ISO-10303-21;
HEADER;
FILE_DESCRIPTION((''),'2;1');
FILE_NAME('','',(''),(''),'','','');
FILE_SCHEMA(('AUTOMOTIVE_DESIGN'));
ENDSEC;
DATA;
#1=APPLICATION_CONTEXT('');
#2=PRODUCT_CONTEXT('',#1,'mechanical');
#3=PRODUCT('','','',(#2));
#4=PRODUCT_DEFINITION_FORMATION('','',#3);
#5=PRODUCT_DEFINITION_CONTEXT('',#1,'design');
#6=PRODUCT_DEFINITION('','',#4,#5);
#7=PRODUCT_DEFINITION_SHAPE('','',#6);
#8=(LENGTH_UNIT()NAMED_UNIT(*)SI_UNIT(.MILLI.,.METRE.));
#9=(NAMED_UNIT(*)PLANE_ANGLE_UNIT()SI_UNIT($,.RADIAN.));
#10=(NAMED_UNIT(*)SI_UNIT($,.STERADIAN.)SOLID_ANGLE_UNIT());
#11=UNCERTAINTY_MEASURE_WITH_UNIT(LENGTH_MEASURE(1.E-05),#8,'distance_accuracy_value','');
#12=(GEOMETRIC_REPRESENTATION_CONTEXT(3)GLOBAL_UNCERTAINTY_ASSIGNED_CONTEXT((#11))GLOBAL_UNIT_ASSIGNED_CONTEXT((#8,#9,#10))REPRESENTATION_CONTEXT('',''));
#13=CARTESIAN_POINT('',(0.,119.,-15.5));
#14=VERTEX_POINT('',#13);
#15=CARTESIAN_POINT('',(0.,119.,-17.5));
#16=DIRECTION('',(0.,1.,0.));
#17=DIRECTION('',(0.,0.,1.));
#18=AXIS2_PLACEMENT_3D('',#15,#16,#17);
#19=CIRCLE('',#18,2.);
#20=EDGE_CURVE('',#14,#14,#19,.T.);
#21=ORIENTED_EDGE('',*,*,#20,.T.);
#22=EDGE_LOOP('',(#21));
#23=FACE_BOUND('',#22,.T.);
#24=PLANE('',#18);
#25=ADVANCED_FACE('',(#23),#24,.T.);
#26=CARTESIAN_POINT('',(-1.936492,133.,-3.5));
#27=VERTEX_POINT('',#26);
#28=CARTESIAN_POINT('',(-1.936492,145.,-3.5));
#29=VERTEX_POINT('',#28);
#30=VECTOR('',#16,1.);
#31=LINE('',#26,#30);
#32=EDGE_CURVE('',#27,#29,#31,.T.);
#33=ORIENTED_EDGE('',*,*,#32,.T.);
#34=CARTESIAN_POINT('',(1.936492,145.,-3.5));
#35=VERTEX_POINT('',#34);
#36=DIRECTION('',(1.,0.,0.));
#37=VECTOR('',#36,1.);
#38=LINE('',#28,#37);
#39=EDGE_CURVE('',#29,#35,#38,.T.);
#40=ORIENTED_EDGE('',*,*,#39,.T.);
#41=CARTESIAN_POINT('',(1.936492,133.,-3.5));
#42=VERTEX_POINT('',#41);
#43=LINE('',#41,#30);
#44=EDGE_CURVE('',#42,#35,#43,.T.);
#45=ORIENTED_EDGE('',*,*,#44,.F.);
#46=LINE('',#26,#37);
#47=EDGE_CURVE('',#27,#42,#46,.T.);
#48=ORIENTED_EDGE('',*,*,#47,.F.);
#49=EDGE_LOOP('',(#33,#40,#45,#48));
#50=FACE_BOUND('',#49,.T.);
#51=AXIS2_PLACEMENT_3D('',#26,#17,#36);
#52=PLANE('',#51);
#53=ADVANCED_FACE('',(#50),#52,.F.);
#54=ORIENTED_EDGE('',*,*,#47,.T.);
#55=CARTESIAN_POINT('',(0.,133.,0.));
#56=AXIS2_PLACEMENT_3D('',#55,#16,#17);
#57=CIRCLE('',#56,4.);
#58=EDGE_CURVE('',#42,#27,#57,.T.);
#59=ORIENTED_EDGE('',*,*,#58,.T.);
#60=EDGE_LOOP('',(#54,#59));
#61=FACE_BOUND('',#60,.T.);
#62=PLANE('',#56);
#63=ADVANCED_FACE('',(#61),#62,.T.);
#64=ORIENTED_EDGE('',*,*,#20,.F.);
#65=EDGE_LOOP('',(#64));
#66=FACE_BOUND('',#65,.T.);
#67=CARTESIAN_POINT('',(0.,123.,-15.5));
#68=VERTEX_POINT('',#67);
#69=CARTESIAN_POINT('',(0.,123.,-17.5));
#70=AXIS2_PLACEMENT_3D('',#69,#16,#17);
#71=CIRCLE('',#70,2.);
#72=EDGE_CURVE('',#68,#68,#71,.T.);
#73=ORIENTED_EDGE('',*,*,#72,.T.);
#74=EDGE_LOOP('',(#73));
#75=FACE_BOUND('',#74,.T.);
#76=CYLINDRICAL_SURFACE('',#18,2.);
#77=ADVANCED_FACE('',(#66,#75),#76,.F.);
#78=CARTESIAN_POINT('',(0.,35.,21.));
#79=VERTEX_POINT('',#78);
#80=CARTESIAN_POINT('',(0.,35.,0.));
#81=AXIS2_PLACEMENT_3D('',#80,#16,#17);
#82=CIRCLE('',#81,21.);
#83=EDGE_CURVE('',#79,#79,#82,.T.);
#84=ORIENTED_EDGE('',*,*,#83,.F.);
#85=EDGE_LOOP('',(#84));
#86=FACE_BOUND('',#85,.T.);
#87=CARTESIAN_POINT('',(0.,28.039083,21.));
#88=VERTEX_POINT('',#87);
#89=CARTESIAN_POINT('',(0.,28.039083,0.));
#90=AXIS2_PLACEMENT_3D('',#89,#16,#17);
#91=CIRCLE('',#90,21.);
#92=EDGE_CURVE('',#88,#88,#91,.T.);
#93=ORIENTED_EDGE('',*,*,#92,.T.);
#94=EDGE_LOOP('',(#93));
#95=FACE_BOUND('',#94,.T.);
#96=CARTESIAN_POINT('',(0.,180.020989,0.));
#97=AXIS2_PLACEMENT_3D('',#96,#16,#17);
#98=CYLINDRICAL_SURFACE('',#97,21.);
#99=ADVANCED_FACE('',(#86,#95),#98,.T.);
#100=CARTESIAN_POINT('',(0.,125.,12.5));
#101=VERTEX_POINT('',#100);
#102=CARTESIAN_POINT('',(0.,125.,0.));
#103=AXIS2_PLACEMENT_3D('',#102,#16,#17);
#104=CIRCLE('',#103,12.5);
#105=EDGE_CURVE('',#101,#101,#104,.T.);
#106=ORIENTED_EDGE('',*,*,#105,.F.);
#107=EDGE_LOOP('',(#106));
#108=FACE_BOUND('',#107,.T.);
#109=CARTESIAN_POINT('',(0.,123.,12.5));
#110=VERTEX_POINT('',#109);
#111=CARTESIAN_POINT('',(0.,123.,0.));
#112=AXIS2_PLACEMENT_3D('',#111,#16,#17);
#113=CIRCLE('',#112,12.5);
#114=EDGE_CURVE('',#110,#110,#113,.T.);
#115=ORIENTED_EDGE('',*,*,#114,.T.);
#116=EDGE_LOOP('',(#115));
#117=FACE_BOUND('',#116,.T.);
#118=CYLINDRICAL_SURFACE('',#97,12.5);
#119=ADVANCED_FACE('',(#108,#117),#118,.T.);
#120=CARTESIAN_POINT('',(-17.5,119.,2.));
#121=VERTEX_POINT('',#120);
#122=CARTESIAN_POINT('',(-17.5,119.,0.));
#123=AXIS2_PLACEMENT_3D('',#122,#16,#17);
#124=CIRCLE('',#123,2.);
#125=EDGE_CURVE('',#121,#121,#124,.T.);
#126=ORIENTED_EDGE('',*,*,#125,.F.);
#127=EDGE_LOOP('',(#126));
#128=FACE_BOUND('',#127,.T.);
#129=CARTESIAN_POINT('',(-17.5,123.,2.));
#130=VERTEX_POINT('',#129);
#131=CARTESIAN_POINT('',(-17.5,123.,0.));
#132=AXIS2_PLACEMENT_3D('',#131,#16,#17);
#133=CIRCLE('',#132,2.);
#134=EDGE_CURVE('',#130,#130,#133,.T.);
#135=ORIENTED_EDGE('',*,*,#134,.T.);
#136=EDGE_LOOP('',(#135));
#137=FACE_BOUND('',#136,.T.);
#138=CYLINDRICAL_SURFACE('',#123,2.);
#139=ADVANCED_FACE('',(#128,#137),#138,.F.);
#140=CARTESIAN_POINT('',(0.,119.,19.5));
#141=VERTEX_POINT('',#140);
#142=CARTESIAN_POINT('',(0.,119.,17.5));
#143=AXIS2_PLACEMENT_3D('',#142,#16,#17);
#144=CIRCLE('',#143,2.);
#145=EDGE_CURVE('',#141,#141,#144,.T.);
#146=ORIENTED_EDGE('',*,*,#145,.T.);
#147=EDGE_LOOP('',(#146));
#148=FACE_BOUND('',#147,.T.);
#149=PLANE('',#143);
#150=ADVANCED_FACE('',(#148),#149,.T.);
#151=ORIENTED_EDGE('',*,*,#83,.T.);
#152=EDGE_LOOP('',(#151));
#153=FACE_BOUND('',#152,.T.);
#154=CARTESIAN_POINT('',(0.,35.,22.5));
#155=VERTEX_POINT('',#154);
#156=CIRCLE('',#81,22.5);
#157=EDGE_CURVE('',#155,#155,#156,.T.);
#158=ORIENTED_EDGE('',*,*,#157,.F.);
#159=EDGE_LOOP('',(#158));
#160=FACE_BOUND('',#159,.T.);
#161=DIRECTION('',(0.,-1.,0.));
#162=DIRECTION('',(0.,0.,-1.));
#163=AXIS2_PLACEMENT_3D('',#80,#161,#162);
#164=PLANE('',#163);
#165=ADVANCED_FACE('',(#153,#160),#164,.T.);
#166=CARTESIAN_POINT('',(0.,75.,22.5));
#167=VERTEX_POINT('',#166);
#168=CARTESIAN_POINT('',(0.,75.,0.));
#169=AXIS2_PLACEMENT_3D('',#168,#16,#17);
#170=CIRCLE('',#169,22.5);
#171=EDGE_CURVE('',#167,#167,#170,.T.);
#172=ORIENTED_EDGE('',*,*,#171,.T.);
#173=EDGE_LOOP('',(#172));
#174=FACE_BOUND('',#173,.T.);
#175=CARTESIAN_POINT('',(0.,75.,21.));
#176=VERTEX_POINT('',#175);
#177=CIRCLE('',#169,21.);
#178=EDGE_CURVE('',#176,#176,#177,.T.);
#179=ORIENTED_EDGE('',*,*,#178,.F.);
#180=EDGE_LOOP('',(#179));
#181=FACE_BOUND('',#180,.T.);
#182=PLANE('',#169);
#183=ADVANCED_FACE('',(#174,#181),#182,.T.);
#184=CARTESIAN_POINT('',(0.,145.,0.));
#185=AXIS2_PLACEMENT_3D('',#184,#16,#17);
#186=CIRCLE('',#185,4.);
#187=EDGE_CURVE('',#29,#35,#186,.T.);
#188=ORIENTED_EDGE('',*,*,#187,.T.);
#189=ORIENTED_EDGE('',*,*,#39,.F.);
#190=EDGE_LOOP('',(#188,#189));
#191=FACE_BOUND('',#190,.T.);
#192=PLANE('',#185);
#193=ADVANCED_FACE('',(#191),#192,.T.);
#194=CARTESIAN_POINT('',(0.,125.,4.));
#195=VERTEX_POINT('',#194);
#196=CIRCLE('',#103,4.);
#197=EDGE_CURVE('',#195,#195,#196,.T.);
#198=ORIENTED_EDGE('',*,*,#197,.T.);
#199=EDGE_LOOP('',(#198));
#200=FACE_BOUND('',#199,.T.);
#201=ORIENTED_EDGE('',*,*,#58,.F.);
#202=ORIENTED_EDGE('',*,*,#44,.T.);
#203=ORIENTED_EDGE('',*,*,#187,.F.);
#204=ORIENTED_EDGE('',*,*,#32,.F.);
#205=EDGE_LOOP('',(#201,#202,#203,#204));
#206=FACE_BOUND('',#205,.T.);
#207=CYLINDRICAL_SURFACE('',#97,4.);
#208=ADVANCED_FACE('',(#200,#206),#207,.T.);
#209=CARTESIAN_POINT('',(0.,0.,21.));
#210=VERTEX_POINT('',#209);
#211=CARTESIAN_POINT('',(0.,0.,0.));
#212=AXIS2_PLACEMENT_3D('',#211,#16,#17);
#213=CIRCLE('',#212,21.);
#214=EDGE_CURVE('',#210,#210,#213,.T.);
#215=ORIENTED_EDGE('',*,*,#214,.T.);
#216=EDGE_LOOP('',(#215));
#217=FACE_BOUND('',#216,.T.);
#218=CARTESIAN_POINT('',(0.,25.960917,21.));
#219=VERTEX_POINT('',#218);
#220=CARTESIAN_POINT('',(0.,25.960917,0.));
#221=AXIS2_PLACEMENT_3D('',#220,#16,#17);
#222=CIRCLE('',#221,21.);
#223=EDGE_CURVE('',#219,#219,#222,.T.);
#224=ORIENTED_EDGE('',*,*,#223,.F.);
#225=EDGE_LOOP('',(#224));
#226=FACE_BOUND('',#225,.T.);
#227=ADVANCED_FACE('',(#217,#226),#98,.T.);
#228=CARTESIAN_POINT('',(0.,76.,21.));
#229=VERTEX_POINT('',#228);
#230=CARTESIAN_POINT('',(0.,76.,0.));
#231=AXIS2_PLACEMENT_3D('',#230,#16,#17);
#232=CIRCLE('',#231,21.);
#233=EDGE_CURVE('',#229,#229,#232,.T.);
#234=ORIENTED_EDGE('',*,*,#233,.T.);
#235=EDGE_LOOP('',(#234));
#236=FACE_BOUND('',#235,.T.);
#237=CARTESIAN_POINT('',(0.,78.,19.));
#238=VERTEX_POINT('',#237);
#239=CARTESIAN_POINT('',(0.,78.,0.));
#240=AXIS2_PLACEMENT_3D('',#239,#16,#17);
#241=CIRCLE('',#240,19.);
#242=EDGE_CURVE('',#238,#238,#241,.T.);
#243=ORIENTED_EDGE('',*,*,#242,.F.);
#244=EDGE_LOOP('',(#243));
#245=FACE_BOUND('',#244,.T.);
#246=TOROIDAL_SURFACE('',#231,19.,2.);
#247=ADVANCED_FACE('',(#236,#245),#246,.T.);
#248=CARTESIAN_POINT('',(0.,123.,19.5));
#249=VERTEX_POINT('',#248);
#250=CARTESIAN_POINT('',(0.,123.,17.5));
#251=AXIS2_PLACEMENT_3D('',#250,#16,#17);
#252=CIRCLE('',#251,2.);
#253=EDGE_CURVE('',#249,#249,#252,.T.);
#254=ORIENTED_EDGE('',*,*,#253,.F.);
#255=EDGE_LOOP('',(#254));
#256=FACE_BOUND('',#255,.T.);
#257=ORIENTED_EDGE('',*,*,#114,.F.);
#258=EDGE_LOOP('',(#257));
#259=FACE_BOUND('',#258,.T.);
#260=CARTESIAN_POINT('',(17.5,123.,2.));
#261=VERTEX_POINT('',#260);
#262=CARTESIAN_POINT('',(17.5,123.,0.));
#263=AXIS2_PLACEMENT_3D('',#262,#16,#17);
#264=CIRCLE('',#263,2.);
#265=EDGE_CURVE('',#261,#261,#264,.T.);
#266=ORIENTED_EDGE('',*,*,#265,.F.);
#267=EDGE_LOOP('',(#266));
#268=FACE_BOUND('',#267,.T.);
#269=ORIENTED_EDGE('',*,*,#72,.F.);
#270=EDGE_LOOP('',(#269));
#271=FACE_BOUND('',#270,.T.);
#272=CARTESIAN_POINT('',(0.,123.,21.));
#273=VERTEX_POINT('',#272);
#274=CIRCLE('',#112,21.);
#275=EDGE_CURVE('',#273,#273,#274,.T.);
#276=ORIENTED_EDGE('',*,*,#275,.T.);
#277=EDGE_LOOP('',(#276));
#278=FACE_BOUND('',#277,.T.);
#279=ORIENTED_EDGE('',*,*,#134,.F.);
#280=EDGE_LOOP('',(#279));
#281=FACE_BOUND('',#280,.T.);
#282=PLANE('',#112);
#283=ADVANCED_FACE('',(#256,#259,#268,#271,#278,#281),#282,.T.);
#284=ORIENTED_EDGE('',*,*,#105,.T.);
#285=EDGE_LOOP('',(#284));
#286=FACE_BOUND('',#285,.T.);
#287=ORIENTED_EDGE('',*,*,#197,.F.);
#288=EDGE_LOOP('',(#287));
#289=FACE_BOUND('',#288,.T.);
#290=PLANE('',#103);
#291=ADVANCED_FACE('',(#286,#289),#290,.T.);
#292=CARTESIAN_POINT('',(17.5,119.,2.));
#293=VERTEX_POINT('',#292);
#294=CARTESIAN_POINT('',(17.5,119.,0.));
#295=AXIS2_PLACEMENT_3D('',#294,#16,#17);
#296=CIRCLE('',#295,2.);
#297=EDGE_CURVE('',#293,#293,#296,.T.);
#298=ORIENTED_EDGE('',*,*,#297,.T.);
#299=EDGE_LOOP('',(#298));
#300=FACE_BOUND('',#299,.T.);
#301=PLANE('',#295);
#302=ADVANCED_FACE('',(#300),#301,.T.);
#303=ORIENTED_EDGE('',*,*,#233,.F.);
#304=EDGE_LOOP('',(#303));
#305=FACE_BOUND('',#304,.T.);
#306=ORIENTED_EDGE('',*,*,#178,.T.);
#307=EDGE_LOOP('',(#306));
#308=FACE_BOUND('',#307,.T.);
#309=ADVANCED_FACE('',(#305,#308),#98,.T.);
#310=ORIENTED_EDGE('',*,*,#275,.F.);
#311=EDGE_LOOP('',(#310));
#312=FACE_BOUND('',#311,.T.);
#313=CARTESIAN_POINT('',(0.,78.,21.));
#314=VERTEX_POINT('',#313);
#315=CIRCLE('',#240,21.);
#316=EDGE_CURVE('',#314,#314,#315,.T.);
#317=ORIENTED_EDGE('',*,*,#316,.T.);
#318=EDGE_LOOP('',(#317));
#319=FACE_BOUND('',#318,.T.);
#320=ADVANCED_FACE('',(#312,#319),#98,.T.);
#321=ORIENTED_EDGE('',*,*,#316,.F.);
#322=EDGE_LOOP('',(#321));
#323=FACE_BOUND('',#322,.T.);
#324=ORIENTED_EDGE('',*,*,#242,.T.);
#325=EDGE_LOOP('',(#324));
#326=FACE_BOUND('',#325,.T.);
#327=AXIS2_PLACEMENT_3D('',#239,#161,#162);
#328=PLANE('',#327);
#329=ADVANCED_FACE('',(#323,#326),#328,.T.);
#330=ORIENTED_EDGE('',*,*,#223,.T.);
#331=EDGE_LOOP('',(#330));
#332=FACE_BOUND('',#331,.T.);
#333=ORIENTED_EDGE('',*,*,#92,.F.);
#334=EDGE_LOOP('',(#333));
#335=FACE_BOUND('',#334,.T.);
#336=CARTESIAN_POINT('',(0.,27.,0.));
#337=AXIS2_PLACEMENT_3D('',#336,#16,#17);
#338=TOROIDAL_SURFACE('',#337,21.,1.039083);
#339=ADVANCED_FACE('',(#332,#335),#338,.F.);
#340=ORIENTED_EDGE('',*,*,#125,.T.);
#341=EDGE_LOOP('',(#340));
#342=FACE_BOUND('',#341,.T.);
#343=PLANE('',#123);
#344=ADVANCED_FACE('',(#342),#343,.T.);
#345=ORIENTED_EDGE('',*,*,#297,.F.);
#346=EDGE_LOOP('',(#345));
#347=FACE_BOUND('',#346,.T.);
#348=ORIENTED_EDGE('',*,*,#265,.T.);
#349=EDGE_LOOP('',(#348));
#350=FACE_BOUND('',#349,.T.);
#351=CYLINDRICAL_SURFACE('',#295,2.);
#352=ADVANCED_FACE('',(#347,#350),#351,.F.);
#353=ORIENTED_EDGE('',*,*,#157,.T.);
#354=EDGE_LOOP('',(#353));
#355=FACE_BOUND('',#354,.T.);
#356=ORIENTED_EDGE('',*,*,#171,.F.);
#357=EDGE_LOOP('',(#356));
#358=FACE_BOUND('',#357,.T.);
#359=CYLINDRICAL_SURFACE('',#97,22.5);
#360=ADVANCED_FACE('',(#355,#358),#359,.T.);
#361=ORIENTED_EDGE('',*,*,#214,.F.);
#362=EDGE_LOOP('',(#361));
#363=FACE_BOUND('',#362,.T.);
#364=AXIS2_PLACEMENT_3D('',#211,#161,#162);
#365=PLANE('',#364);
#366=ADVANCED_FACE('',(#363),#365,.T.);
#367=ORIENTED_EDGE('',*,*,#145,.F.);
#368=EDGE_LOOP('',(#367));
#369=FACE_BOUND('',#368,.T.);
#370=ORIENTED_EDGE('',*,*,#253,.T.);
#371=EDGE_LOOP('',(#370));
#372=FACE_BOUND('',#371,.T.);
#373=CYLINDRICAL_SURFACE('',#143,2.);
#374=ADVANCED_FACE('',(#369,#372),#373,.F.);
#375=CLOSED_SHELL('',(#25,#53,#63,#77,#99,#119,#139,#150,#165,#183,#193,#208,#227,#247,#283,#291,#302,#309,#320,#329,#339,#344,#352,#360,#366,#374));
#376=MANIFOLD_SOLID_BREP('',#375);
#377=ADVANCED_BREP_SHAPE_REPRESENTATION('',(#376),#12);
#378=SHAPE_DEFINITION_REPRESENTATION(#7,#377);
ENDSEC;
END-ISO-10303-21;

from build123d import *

# Parameters (mm, degrees)
CUT_EXTRUDE1_START = -12
CUT_EXTRUDE1_DEPTH = 12
SKETCH3_R          = 2
CUT_EXTRUDE2_DEPTH = 4


with BuildPart() as part:
    # Sketch1 → Revolve1 (revolve)
    with BuildSketch(Plane.XY, mode=Mode.PRIVATE) as revolve1_sk:
        with BuildLine():
            ThreePointArc((21, 28.039082801), (19.960917199, 27), (21, 25.960917199))
            Line((21, 25.960917199), (21, 0))
            Line((21, 0), (0, 0))
            Line((0, 0), (0, 145))
            Line((0, 145), (4, 145))
            Line((4, 145), (4, 125))
            Line((4, 125), (12.5, 125))
            Line((12.5, 125), (12.5, 123))
            Line((12.5, 123), (21, 123))
            Line((21, 123), (21, 78))
            Line((21, 78), (19, 78))
            ThreePointArc((19, 78), (20.414213562, 77.414213562), (21, 76))
            Line((21, 76), (21, 75))
            Line((21, 75), (22.5, 75))
            Line((22.5, 75), (22.5, 35))
            Line((22.5, 35), (21, 35))
            Line((21, 35), (21, 28.039082801))
        make_face()
    revolve(revolve1_sk.sketch.rotate(Axis((0, 180.020988846, 0), (0, -1, 0)), 90), axis=Axis((0, 180.020988846, 0), (0, -1, 0)))

    # Sketch2 → Cut-Extrude1 (cut)
    with BuildSketch(Plane(origin=(0, 145, 0), x_dir=(1, 0, 0), z_dir=(0, 1, 0)).offset(CUT_EXTRUDE1_START)):
        with BuildLine():
            Line((-1.936491673, 3.5), (1.936491673, 3.5))
            ThreePointArc((1.936491673, 3.5), (0, 4), (-1.936491673, 3.5))
        make_face()
    extrude(amount=CUT_EXTRUDE1_DEPTH, mode=Mode.SUBTRACT)

    # Sketch3 → Cut-Extrude2 (cut)
    with BuildSketch(Plane(origin=(0, 123, 0), x_dir=(1, 0, 0), z_dir=(0, 1, 0))):
        with Locations(Location((0, 17.5, 0), (0, 0, 270))):
            Circle(SKETCH3_R)
        with Locations(Location((17.5, 0, 0), (0, 0, 270))):
            Circle(SKETCH3_R)
        with Locations(Location((0, -17.5, 0), (0, 0, 270))):
            Circle(SKETCH3_R)
        with Locations(Location((-17.5, 0, 0), (0, 0, 270))):
            Circle(SKETCH3_R)
    extrude(amount=-CUT_EXTRUDE2_DEPTH, mode=Mode.SUBTRACT)


solid = part.part
